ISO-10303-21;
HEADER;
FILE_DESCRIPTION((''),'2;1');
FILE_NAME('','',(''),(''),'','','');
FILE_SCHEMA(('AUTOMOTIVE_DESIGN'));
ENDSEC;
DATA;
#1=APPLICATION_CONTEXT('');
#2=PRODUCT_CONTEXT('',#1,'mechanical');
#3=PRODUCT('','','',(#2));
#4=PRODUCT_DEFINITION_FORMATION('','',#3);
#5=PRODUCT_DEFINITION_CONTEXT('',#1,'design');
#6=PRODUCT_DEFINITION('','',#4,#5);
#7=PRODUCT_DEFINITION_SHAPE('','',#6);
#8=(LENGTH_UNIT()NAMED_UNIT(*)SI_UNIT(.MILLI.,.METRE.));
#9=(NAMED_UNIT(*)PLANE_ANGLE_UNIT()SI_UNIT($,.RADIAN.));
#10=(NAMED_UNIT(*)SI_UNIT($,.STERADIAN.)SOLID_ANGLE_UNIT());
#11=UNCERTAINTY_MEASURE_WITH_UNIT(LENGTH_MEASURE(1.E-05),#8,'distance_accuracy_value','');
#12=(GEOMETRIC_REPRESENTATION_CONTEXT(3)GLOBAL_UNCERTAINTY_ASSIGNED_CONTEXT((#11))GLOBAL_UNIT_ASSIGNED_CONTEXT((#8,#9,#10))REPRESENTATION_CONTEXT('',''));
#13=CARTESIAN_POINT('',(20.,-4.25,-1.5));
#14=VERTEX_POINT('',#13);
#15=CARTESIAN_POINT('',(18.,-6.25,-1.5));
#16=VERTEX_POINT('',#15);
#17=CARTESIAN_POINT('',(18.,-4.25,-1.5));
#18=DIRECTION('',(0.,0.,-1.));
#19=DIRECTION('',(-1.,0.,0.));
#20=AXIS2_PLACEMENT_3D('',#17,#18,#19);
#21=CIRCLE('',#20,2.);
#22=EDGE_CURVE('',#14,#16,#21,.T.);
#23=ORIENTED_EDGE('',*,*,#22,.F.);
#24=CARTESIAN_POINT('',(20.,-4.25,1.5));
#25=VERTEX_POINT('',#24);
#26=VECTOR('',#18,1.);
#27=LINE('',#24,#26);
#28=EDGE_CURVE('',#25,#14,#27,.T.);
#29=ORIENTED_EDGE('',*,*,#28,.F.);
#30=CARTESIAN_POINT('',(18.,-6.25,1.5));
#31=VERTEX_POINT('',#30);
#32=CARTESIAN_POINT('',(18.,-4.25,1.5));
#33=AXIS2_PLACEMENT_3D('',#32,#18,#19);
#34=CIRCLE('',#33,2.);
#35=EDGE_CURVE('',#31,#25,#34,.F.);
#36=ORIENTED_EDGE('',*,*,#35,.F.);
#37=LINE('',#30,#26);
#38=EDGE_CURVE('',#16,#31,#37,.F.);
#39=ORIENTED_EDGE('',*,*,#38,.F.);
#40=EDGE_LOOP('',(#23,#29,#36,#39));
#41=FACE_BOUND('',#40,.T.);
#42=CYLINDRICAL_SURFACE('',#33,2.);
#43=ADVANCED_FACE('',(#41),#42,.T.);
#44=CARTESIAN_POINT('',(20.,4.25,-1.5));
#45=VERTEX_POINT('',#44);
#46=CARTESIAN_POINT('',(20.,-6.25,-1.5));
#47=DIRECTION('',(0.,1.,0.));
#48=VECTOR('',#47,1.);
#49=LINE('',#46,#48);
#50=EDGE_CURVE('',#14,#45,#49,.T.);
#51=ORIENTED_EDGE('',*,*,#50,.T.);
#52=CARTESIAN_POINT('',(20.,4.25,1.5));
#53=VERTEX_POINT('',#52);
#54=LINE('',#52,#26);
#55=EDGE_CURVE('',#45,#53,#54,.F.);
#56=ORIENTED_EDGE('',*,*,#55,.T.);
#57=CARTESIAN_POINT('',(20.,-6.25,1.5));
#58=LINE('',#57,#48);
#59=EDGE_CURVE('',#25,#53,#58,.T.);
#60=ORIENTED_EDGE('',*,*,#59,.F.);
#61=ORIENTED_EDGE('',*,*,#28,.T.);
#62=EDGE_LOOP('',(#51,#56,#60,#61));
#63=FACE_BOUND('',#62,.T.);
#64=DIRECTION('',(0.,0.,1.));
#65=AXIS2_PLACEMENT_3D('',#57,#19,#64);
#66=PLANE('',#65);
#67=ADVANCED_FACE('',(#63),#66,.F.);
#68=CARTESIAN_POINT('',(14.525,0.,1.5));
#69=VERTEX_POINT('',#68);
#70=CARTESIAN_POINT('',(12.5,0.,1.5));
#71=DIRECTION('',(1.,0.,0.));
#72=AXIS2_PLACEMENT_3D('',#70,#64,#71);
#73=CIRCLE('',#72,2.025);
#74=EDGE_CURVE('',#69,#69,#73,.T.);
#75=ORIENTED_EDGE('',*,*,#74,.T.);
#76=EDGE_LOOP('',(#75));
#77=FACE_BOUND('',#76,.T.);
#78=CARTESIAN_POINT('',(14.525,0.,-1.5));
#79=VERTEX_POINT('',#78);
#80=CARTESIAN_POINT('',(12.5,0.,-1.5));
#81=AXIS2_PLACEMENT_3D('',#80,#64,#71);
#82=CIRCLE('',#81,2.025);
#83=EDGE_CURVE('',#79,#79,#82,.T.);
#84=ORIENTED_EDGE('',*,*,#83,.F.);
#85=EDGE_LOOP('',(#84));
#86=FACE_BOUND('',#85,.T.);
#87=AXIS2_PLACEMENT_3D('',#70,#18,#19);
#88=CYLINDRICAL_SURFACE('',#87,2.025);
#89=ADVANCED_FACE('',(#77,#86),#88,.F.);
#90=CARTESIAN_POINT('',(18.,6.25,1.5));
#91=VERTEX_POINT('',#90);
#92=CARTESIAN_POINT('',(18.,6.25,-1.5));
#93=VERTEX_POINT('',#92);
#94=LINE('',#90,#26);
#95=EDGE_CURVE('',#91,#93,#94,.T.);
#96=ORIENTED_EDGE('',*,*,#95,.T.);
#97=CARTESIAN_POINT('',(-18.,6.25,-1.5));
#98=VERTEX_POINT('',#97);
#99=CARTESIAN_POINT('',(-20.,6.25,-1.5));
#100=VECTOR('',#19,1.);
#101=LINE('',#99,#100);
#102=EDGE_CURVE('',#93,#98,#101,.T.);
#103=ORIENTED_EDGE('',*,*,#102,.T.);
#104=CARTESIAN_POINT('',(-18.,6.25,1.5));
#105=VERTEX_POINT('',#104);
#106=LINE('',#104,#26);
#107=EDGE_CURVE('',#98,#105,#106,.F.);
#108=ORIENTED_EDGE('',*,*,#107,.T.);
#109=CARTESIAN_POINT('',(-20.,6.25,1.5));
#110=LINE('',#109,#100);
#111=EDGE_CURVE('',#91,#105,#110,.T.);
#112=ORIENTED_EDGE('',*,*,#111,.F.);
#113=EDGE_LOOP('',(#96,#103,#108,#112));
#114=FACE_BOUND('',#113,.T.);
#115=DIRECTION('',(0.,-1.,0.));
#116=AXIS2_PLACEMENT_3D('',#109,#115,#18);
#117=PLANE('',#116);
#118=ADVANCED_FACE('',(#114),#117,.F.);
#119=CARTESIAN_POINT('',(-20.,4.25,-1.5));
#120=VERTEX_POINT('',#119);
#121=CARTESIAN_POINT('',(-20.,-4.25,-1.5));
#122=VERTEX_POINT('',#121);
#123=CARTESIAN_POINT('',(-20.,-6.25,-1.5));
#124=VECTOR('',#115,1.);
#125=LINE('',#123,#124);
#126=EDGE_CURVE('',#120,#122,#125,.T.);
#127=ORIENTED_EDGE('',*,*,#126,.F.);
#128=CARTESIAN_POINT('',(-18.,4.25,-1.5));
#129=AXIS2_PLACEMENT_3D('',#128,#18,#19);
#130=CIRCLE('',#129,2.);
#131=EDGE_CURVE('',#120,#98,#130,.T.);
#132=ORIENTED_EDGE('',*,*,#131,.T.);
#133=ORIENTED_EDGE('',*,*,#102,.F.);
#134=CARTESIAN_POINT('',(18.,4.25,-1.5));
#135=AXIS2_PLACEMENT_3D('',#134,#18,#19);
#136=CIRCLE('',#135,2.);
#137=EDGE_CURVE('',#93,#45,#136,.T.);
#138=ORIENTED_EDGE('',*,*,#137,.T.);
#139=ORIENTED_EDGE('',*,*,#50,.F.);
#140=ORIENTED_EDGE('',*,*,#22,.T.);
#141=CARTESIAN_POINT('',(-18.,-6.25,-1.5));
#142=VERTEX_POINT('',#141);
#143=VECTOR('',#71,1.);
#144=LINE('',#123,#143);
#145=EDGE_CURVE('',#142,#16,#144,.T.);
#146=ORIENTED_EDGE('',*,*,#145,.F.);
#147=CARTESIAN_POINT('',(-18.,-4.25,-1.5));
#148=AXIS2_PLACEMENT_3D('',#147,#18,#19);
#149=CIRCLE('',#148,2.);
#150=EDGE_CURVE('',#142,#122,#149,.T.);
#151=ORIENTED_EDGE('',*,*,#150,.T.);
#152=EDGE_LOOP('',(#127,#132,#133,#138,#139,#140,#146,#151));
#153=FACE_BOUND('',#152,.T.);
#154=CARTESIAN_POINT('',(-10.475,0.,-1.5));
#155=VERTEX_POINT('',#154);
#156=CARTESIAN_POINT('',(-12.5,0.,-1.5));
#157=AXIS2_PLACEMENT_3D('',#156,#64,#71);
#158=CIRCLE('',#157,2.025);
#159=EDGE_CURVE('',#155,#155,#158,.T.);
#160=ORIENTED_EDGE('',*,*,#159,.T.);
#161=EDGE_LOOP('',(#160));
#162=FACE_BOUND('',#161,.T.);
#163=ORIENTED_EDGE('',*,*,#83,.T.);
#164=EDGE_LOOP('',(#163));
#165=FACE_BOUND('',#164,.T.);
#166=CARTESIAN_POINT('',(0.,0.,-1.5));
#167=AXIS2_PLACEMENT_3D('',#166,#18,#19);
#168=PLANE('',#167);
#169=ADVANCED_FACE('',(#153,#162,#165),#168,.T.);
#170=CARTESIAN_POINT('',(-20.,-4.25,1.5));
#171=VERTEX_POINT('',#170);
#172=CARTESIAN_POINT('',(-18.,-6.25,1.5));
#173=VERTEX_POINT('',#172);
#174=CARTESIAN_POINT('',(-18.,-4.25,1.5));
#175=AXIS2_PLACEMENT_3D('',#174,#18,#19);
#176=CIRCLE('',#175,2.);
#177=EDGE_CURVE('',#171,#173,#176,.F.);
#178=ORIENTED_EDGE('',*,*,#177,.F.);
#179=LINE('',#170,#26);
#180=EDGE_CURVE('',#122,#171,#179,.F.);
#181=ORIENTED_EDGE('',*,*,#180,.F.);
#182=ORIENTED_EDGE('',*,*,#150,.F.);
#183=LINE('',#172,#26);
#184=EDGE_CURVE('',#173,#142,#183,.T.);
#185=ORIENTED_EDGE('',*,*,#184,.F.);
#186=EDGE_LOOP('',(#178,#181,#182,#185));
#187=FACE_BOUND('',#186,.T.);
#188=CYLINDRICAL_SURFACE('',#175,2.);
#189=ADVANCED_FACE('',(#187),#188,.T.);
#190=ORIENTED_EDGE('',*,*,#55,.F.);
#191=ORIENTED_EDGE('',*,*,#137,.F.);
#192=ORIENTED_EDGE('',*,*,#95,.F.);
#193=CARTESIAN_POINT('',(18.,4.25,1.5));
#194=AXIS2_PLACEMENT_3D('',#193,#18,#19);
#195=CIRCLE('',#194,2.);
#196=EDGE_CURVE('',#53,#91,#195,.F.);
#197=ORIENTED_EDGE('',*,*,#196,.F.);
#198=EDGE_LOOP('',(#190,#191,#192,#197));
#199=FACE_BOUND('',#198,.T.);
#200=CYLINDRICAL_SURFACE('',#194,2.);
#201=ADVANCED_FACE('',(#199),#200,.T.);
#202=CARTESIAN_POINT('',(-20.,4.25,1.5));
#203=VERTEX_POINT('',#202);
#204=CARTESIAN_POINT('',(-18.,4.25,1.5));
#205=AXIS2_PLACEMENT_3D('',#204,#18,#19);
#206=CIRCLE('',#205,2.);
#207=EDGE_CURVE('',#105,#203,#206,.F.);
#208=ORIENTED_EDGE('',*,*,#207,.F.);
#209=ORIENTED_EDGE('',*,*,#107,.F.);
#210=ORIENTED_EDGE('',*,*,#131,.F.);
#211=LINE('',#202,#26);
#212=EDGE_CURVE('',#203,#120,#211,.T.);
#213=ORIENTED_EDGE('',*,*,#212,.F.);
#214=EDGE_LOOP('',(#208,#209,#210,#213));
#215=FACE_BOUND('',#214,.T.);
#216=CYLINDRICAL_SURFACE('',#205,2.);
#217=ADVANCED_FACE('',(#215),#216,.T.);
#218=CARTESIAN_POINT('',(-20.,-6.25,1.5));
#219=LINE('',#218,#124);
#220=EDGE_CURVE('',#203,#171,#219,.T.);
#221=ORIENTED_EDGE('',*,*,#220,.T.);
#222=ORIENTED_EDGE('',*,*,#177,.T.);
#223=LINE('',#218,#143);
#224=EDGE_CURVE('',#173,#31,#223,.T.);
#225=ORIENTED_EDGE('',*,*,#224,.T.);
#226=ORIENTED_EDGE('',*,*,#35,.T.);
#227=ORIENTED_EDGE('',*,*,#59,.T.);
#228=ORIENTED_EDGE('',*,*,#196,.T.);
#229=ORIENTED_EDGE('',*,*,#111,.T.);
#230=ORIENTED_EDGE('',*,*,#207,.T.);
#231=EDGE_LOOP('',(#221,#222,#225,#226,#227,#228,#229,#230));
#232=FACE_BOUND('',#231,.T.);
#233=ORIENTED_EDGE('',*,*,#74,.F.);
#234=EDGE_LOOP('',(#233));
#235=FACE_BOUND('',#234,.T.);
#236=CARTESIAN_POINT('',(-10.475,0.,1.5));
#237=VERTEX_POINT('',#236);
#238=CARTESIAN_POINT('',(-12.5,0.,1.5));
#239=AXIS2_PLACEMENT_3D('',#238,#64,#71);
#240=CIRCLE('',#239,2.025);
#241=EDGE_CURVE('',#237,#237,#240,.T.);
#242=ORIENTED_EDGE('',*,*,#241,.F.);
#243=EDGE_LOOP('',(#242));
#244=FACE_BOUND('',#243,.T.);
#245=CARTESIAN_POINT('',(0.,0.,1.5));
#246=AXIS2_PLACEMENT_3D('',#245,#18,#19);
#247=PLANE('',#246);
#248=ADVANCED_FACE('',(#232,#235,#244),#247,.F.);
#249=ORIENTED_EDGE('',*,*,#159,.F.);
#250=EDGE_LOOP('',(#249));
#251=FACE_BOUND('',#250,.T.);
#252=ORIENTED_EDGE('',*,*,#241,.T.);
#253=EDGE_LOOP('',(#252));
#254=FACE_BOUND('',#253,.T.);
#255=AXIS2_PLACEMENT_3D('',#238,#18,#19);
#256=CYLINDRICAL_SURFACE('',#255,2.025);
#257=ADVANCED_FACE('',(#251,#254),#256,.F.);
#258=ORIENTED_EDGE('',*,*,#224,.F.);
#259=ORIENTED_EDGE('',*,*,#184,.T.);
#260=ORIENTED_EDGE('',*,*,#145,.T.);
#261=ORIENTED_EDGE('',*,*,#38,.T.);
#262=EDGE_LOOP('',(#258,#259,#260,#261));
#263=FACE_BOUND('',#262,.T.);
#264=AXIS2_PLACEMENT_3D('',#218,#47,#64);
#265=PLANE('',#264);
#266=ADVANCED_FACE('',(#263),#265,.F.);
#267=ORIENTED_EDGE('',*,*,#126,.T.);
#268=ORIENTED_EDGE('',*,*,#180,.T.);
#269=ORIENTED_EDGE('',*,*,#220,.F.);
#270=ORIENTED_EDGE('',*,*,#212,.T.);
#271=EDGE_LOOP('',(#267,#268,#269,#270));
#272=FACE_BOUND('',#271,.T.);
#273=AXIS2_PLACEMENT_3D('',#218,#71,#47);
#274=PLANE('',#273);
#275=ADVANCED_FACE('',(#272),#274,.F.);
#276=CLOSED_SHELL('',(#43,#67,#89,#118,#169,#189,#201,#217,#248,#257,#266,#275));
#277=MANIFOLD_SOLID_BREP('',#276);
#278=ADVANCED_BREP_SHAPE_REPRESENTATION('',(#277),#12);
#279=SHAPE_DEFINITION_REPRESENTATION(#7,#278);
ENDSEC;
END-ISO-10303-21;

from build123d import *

# Parameters (mm, degrees)
SKETCH_1_W      = 40
SKETCH_1_H      = 12.5
SKETCH_1_R      = 2.025
EXTRUDE_1_DEPTH = 1.5
FILLET_1_R      = 2


with BuildPart() as part:
    # 草图1 → 凸台-拉伸1 (new body, symmetric)
    with BuildSketch(Plane.XY):
        Rectangle(SKETCH_1_W, SKETCH_1_H)
        with Locations((-12.5, 0)):
            Circle(SKETCH_1_R, mode=Mode.SUBTRACT)
        with Locations((12.5, 0)):
            Circle(SKETCH_1_R, mode=Mode.SUBTRACT)
    extrude(amount=EXTRUDE_1_DEPTH, both=True)

    # 圆角1
    fillet_1_edges = [part.edges().sort_by_distance(p)[0] for p in [
        (20, -6.25, 0),
        (-20, -6.25, 0),
        (-20, 6.25, 0),
        (20, 6.25, 0),
    ]]
    fillet(fillet_1_edges, radius=FILLET_1_R)


solid = part.part
